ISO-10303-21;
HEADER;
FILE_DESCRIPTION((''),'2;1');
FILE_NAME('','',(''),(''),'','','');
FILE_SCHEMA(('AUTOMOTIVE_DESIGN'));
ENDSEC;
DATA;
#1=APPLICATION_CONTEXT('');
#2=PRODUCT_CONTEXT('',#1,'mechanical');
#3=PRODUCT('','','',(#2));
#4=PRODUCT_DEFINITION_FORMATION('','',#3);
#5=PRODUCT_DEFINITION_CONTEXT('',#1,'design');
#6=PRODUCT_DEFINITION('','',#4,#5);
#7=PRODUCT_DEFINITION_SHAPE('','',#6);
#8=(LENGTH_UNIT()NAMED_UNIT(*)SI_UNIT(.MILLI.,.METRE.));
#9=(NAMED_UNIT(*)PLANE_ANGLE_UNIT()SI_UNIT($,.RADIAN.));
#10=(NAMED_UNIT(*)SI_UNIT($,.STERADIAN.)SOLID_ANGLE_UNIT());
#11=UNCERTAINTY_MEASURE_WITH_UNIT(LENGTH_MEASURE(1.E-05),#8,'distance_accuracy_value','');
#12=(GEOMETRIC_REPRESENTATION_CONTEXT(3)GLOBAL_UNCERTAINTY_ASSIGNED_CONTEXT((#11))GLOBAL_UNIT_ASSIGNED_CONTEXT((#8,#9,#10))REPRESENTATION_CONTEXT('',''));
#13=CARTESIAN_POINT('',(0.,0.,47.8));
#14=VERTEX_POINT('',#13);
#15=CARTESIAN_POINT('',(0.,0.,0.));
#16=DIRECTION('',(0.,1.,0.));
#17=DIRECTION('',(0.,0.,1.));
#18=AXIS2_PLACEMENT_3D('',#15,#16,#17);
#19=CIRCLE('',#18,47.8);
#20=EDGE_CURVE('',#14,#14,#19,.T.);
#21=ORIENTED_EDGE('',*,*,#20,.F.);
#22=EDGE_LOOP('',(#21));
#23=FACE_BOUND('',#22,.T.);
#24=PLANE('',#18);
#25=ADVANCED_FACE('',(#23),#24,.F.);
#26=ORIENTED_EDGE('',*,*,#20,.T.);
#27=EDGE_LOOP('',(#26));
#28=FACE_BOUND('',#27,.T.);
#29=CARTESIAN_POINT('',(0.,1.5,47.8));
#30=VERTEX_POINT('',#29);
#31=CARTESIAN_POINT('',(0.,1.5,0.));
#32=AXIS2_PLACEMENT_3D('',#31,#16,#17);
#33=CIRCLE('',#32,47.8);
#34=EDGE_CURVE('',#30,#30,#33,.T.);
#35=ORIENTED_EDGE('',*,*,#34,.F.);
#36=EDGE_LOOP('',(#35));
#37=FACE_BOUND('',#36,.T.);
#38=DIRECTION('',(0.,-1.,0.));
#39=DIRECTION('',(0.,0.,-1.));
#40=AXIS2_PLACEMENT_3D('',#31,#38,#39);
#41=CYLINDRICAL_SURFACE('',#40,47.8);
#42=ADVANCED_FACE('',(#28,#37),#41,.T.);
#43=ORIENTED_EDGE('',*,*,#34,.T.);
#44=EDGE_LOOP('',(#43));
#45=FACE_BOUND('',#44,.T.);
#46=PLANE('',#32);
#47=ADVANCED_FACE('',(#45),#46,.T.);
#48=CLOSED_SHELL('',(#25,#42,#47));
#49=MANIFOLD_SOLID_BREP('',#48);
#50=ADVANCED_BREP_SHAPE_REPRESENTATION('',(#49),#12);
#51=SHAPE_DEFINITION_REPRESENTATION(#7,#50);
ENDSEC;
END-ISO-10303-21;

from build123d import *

# Parameters (mm, degrees)
ESBO_O1_R                = 47.8
RESSALTO_EXTRUS_O1_DEPTH = 1.5


with BuildPart() as part:
    # Esboço1 → Ressalto-extrusão1 (new body)
    with BuildSketch(Plane(origin=(0, 0, 0), x_dir=(1, 0, 0), z_dir=(0, 1, 0))):
        with Locations(Location((0, 0, 0), (0, 0, 270))):
            Circle(ESBO_O1_R)
    extrude(amount=RESSALTO_EXTRUS_O1_DEPTH)


solid = part.part
